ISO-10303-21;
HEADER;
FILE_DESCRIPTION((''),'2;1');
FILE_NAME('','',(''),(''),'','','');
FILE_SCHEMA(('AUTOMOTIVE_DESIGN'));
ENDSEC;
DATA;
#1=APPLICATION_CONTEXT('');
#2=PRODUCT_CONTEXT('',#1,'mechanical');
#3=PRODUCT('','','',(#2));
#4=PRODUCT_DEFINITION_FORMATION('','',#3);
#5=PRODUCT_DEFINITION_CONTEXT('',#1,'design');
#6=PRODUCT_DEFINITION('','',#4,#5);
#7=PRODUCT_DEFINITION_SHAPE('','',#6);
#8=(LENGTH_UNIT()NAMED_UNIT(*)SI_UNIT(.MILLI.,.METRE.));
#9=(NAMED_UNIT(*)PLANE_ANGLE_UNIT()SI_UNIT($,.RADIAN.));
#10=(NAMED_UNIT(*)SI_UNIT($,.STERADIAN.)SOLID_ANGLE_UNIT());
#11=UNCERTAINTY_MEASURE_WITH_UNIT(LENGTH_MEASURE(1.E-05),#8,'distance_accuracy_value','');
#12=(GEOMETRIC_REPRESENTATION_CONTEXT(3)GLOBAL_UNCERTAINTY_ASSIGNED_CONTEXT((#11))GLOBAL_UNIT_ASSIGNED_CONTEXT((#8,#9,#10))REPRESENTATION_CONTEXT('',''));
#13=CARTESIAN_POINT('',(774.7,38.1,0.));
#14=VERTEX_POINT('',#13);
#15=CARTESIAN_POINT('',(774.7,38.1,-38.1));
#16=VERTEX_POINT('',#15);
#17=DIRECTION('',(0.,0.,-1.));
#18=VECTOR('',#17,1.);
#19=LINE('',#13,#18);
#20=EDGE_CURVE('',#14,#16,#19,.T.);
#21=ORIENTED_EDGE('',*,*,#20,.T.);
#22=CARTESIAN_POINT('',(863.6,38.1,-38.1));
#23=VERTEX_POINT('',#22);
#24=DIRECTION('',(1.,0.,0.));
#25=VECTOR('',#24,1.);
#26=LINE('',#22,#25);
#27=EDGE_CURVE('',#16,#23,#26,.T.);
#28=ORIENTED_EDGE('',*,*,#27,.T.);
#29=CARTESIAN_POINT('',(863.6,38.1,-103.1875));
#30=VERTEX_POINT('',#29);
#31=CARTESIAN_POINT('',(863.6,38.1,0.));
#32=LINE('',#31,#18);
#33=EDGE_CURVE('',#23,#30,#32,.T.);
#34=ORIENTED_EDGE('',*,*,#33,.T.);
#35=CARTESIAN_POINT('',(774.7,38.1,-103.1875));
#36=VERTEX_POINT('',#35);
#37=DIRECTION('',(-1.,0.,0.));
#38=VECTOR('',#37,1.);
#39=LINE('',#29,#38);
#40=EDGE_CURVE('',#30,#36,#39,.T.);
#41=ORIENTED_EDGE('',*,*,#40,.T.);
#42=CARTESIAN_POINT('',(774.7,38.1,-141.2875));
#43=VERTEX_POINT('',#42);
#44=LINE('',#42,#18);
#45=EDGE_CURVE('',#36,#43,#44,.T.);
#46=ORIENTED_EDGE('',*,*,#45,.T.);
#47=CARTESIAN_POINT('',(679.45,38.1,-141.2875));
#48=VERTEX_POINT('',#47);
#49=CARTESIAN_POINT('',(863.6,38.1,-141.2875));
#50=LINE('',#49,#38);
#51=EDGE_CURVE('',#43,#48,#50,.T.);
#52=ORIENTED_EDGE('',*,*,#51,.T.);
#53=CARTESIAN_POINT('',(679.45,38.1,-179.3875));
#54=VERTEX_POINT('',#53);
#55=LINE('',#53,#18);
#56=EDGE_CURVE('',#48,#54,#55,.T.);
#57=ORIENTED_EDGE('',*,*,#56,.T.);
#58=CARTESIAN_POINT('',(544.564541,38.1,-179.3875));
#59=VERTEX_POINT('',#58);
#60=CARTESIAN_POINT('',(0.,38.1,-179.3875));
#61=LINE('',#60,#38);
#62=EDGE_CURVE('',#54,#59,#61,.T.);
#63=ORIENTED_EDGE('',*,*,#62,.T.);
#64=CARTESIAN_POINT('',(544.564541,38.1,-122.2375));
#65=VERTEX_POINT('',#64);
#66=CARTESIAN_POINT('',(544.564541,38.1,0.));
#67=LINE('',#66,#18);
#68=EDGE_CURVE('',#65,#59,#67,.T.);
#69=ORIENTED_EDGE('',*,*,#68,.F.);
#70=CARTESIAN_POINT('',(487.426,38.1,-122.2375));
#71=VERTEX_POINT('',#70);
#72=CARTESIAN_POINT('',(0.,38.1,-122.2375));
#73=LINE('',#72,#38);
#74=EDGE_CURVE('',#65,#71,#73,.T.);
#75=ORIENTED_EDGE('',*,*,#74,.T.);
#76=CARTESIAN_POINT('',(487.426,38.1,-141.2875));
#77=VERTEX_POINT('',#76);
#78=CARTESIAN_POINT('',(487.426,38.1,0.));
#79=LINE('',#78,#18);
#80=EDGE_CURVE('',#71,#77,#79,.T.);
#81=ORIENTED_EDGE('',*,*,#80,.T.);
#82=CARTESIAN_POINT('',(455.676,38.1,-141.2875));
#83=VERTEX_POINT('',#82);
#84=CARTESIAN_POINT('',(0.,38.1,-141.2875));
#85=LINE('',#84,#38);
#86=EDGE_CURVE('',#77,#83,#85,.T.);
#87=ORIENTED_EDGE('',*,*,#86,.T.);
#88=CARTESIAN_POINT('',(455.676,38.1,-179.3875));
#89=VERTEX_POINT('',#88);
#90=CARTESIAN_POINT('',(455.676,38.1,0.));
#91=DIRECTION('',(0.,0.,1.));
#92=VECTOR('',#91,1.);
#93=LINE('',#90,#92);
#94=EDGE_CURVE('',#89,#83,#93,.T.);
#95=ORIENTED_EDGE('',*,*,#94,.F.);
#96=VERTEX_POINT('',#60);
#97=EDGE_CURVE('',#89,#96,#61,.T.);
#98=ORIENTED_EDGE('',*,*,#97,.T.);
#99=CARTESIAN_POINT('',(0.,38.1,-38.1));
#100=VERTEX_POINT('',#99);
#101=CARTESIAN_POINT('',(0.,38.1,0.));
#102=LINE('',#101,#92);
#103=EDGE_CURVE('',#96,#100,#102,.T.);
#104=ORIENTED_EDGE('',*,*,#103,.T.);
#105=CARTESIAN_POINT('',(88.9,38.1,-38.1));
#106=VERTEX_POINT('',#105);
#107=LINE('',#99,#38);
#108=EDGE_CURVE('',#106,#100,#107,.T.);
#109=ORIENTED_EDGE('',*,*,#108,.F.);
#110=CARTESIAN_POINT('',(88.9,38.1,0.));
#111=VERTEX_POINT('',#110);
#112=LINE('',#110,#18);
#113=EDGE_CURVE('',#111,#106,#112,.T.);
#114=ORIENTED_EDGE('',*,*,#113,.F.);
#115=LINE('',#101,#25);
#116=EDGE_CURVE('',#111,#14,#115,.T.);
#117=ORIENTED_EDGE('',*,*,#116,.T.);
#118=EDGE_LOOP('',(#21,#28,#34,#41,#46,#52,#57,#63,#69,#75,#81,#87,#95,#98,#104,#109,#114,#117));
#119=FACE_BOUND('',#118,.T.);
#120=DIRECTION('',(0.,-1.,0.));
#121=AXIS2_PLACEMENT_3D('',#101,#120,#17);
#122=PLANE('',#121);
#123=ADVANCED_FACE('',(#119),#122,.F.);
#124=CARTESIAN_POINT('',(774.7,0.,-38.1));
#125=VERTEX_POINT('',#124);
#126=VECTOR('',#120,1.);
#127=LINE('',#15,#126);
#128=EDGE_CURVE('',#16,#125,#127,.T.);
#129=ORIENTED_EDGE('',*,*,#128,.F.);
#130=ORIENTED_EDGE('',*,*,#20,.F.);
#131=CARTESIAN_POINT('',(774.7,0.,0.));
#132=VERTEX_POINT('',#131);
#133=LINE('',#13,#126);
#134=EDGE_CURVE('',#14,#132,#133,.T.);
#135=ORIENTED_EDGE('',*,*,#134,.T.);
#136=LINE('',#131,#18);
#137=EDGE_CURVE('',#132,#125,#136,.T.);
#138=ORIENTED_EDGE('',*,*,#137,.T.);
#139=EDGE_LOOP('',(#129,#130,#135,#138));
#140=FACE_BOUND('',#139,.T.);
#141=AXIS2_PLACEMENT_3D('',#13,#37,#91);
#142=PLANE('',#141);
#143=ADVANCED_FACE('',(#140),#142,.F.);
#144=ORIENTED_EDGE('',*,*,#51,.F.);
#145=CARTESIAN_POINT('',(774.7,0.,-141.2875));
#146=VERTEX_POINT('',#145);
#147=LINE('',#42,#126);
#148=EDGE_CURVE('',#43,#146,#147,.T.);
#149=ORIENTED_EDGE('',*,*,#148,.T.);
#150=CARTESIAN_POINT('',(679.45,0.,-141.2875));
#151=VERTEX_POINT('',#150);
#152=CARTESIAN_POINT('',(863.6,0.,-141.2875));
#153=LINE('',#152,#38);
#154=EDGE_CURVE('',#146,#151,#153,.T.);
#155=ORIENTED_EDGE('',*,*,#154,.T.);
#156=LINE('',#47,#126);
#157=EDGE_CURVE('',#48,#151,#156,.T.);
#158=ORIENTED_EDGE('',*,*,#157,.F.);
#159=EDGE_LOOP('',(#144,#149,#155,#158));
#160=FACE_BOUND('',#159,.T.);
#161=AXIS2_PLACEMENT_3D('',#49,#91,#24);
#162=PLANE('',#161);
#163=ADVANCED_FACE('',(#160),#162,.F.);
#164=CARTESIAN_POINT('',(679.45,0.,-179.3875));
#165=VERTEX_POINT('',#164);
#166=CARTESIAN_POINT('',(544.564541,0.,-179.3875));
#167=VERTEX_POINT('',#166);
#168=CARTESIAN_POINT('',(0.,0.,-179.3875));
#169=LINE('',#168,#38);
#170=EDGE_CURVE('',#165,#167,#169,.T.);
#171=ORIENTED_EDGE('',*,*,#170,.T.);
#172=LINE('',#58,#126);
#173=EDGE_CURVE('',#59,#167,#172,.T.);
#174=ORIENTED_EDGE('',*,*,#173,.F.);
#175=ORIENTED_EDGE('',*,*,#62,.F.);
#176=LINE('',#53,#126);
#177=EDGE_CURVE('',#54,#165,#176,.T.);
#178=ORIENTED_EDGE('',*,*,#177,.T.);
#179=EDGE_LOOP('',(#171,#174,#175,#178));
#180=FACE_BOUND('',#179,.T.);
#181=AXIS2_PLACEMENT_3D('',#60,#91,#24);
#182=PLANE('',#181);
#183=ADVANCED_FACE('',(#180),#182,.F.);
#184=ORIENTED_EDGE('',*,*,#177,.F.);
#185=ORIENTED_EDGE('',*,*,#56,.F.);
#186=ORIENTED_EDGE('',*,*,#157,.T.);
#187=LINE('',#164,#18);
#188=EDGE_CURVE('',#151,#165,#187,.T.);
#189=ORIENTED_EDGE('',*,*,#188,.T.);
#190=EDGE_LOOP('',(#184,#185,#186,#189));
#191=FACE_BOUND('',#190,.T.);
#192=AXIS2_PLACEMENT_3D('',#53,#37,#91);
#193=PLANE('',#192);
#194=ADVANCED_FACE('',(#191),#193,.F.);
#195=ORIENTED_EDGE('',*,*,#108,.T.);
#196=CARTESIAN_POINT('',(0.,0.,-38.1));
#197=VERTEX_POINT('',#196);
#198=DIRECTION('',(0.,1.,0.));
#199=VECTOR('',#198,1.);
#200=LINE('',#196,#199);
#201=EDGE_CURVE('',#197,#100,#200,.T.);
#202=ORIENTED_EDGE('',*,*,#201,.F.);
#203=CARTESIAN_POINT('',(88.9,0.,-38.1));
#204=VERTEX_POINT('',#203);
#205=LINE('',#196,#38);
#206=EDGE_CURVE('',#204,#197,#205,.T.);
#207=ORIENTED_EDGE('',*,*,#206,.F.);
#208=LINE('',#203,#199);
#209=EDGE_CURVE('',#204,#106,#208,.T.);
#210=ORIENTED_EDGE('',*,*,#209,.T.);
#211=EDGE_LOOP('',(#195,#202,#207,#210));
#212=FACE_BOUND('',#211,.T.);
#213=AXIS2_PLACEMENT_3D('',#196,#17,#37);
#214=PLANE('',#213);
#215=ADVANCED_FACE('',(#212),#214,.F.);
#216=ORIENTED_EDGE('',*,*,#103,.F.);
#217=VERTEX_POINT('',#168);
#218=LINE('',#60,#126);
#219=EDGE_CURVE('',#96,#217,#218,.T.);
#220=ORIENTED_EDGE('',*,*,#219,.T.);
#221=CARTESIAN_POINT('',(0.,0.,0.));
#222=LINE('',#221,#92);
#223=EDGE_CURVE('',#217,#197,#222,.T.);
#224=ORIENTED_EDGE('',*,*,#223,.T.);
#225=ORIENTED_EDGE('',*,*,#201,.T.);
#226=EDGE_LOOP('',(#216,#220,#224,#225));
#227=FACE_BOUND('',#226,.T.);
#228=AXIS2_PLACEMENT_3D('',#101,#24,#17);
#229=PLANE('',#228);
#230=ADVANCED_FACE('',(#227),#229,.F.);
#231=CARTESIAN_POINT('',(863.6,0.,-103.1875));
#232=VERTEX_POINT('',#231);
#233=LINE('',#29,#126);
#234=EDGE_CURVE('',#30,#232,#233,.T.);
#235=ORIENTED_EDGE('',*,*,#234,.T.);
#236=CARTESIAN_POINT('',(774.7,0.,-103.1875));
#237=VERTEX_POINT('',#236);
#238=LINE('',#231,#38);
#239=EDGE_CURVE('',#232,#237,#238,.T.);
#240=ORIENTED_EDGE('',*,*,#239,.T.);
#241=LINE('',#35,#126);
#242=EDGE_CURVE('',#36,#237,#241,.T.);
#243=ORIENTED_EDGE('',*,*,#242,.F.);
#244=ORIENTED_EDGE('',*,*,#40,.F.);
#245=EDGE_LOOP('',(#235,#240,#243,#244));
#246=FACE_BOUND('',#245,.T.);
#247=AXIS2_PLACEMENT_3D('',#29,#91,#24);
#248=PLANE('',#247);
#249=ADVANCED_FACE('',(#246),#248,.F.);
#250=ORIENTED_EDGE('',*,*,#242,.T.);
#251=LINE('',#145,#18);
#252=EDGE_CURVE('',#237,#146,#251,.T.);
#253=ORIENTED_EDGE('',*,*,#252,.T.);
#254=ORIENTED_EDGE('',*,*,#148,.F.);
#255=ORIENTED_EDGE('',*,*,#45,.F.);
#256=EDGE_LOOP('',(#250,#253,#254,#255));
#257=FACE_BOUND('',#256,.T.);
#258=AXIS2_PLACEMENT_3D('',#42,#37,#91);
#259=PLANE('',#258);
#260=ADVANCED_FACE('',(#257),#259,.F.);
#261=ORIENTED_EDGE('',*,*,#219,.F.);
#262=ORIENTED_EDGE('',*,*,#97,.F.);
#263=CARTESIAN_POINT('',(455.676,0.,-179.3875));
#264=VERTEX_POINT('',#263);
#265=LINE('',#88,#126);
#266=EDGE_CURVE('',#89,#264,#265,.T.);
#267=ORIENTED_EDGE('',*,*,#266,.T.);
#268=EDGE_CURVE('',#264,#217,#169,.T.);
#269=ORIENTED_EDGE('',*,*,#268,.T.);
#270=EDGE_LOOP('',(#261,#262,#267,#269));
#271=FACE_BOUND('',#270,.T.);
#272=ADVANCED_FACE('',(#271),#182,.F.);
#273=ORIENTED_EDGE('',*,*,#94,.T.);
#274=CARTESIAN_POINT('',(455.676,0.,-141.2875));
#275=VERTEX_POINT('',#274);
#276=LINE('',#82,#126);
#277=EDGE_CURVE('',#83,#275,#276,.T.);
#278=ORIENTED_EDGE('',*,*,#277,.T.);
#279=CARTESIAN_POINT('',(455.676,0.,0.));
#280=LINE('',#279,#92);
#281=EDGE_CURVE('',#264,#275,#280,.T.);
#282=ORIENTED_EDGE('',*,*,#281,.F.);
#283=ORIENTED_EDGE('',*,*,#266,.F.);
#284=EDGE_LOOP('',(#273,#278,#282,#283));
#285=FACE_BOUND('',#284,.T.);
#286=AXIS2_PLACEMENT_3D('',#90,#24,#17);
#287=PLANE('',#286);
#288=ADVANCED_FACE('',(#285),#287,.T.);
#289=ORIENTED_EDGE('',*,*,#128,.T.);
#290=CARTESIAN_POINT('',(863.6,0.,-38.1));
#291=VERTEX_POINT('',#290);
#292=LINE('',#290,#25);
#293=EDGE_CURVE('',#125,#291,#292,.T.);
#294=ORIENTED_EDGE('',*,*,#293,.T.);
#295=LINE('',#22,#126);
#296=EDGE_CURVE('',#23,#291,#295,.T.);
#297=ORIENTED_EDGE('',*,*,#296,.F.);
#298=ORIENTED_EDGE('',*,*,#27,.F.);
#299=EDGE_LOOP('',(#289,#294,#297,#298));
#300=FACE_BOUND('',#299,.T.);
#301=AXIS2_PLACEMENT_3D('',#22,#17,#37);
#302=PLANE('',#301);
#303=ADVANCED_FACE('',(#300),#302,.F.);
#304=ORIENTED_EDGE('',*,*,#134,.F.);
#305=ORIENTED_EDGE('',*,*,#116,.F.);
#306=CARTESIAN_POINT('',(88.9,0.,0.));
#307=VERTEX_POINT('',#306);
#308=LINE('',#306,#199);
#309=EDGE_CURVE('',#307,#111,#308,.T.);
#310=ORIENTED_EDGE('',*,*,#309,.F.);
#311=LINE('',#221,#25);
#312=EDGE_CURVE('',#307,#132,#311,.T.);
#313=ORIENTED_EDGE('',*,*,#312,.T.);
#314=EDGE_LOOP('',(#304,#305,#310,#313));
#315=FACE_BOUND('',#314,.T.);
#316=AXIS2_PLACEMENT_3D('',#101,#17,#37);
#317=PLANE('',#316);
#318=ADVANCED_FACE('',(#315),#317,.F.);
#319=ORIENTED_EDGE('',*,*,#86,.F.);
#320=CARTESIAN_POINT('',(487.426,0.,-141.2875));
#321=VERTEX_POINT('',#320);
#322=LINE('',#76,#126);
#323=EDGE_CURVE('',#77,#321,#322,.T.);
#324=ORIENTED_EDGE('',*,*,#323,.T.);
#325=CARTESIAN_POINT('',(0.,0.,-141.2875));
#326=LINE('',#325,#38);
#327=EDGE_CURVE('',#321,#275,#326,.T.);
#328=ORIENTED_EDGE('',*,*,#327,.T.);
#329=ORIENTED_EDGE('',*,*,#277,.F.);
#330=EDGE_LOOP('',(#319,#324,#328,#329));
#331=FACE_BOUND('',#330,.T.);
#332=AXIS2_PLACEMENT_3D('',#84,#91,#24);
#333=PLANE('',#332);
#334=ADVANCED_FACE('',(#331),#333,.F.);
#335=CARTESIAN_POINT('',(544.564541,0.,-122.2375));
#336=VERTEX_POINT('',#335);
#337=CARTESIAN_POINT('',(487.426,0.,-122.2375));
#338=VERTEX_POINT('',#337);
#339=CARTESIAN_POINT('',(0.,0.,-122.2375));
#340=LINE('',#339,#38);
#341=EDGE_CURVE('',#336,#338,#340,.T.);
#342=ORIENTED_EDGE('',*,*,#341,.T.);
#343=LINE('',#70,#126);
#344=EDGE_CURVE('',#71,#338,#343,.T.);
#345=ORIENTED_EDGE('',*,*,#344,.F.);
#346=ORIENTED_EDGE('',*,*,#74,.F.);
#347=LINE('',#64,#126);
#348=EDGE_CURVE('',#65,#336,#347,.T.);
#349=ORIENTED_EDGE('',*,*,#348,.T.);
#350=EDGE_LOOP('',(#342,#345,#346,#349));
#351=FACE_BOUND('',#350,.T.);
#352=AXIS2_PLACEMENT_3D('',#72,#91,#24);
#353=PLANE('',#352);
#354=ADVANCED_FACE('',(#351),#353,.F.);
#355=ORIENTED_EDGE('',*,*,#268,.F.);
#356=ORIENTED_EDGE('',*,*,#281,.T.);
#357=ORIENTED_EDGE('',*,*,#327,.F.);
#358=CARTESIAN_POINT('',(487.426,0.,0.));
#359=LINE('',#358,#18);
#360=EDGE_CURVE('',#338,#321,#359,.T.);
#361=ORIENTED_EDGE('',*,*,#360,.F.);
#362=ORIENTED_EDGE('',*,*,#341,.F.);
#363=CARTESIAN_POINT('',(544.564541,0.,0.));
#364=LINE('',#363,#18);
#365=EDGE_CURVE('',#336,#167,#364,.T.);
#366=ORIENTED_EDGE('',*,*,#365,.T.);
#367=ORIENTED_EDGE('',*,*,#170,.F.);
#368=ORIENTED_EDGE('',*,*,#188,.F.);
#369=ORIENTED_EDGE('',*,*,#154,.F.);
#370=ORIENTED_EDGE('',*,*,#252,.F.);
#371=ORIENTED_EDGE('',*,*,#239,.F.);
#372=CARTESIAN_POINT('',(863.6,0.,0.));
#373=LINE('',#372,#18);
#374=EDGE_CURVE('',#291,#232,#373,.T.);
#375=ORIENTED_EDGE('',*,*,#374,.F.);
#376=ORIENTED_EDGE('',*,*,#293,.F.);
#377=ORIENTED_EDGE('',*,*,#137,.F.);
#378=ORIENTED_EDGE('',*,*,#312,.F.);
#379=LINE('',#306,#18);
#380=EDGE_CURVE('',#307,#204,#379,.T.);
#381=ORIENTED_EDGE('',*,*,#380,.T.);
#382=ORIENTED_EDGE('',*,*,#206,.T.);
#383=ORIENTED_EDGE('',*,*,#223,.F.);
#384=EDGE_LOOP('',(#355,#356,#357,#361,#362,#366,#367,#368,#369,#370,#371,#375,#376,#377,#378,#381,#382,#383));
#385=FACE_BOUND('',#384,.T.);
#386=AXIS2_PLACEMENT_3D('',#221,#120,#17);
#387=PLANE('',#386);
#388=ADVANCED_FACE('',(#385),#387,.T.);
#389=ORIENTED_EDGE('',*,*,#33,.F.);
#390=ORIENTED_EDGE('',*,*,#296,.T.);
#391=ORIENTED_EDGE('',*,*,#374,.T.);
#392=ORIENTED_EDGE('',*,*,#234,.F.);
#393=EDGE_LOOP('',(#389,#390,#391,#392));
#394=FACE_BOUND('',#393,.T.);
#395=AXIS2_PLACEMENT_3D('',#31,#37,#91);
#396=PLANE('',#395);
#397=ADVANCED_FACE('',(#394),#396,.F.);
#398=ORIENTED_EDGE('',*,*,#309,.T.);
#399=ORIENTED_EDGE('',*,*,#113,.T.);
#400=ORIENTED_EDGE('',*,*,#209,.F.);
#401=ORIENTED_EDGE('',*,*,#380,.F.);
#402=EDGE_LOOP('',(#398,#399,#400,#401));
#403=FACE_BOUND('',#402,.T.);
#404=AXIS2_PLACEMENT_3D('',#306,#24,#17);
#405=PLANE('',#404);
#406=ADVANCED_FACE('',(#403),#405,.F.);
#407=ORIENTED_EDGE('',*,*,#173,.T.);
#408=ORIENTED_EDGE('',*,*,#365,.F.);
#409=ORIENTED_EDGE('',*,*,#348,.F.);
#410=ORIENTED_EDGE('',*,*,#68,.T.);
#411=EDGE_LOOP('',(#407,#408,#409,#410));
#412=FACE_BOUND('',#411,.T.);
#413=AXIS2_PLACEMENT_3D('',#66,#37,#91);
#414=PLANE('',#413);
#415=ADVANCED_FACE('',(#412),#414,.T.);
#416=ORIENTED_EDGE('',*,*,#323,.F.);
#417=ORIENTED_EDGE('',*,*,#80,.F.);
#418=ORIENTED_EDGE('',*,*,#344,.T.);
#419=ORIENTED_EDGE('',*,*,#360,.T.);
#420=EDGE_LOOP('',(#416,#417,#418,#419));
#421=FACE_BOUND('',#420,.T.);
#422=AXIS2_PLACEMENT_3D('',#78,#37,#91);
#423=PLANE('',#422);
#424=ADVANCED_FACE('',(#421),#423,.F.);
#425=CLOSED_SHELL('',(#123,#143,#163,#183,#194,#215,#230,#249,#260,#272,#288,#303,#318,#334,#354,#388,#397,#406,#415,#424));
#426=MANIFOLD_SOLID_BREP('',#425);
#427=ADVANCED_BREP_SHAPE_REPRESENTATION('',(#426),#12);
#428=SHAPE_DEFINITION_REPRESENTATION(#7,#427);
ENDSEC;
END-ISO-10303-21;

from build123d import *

# Parameters (mm, degrees)
SKETCH1_W           = 863.6
SKETCH1_H           = 179.3875
BOSS_EXTRUDE1_DEPTH = 38.1
SKETCH2_W           = 88.9
SKETCH2_H           = 38.1
CUT_EXTRUDE4_DEPTH  = 39.1
SKETCH3_W           = 184.15
SKETCH3_H           = 38.1
CUT_EXTRUDE1_DEPTH  = 39.1
CUT_EXTRUDE2_DEPTH  = 39.1
SKETCH5_W           = 88.9
SKETCH5_H           = 38.1
CUT_EXTRUDE3_DEPTH  = 39.1
SKETCH6_W           = 88.9
SKETCH6_H           = 38.1
CUT_EXTRUDE5_DEPTH  = 39.1


with BuildPart() as part:
    # Sketch1 → Boss-Extrude1 (new body)
    with BuildSketch(Plane(origin=(0, 0, 0), x_dir=(1, 0, 0), z_dir=(0, 1, 0))):
        with Locations((431.8, 89.69375)):
            Rectangle(SKETCH1_W, SKETCH1_H)
    extrude(amount=BOSS_EXTRUDE1_DEPTH)

    # Sketch2 → Cut-Extrude4 (cut, through all)
    with BuildSketch(Plane.XZ):
        with Locations((819.15, -19.05)):
            Rectangle(SKETCH2_W, SKETCH2_H)
    extrude(amount=-CUT_EXTRUDE4_DEPTH, mode=Mode.SUBTRACT)

    # Sketch3 → Cut-Extrude1 (cut, through all)
    with BuildSketch(Plane.XZ):
        with Locations((771.525, -160.3375)):
            Rectangle(SKETCH3_W, SKETCH3_H)
    extrude(amount=-CUT_EXTRUDE1_DEPTH, mode=Mode.SUBTRACT)

    # Sketch4 → Cut-Extrude2 (cut, through all)
    with BuildSketch(Plane.XZ):
        Polygon((544.56454079, -179.3875), (544.56454079, -122.2375), (487.426, -122.2375), (487.426, -141.2875), (455.676, -141.2875), (455.676, -179.3875), align=None)
    extrude(amount=-CUT_EXTRUDE2_DEPTH, mode=Mode.SUBTRACT)

    # Sketch5 → Cut-Extrude3 (cut, through all)
    with BuildSketch(Plane.XZ):
        with Locations((819.15, -122.2375)):
            Rectangle(SKETCH5_W, SKETCH5_H)
    extrude(amount=-CUT_EXTRUDE3_DEPTH, mode=Mode.SUBTRACT)

    # Sketch6 → Cut-Extrude5 (cut, through all)
    with BuildSketch(Plane(origin=(0, 38.1, 0), x_dir=(1, 0, 0), z_dir=(0, 1, 0))):
        with Locations((44.45, 19.05)):
            Rectangle(SKETCH6_W, SKETCH6_H)
    extrude(amount=-CUT_EXTRUDE5_DEPTH, mode=Mode.SUBTRACT)


solid = part.part
